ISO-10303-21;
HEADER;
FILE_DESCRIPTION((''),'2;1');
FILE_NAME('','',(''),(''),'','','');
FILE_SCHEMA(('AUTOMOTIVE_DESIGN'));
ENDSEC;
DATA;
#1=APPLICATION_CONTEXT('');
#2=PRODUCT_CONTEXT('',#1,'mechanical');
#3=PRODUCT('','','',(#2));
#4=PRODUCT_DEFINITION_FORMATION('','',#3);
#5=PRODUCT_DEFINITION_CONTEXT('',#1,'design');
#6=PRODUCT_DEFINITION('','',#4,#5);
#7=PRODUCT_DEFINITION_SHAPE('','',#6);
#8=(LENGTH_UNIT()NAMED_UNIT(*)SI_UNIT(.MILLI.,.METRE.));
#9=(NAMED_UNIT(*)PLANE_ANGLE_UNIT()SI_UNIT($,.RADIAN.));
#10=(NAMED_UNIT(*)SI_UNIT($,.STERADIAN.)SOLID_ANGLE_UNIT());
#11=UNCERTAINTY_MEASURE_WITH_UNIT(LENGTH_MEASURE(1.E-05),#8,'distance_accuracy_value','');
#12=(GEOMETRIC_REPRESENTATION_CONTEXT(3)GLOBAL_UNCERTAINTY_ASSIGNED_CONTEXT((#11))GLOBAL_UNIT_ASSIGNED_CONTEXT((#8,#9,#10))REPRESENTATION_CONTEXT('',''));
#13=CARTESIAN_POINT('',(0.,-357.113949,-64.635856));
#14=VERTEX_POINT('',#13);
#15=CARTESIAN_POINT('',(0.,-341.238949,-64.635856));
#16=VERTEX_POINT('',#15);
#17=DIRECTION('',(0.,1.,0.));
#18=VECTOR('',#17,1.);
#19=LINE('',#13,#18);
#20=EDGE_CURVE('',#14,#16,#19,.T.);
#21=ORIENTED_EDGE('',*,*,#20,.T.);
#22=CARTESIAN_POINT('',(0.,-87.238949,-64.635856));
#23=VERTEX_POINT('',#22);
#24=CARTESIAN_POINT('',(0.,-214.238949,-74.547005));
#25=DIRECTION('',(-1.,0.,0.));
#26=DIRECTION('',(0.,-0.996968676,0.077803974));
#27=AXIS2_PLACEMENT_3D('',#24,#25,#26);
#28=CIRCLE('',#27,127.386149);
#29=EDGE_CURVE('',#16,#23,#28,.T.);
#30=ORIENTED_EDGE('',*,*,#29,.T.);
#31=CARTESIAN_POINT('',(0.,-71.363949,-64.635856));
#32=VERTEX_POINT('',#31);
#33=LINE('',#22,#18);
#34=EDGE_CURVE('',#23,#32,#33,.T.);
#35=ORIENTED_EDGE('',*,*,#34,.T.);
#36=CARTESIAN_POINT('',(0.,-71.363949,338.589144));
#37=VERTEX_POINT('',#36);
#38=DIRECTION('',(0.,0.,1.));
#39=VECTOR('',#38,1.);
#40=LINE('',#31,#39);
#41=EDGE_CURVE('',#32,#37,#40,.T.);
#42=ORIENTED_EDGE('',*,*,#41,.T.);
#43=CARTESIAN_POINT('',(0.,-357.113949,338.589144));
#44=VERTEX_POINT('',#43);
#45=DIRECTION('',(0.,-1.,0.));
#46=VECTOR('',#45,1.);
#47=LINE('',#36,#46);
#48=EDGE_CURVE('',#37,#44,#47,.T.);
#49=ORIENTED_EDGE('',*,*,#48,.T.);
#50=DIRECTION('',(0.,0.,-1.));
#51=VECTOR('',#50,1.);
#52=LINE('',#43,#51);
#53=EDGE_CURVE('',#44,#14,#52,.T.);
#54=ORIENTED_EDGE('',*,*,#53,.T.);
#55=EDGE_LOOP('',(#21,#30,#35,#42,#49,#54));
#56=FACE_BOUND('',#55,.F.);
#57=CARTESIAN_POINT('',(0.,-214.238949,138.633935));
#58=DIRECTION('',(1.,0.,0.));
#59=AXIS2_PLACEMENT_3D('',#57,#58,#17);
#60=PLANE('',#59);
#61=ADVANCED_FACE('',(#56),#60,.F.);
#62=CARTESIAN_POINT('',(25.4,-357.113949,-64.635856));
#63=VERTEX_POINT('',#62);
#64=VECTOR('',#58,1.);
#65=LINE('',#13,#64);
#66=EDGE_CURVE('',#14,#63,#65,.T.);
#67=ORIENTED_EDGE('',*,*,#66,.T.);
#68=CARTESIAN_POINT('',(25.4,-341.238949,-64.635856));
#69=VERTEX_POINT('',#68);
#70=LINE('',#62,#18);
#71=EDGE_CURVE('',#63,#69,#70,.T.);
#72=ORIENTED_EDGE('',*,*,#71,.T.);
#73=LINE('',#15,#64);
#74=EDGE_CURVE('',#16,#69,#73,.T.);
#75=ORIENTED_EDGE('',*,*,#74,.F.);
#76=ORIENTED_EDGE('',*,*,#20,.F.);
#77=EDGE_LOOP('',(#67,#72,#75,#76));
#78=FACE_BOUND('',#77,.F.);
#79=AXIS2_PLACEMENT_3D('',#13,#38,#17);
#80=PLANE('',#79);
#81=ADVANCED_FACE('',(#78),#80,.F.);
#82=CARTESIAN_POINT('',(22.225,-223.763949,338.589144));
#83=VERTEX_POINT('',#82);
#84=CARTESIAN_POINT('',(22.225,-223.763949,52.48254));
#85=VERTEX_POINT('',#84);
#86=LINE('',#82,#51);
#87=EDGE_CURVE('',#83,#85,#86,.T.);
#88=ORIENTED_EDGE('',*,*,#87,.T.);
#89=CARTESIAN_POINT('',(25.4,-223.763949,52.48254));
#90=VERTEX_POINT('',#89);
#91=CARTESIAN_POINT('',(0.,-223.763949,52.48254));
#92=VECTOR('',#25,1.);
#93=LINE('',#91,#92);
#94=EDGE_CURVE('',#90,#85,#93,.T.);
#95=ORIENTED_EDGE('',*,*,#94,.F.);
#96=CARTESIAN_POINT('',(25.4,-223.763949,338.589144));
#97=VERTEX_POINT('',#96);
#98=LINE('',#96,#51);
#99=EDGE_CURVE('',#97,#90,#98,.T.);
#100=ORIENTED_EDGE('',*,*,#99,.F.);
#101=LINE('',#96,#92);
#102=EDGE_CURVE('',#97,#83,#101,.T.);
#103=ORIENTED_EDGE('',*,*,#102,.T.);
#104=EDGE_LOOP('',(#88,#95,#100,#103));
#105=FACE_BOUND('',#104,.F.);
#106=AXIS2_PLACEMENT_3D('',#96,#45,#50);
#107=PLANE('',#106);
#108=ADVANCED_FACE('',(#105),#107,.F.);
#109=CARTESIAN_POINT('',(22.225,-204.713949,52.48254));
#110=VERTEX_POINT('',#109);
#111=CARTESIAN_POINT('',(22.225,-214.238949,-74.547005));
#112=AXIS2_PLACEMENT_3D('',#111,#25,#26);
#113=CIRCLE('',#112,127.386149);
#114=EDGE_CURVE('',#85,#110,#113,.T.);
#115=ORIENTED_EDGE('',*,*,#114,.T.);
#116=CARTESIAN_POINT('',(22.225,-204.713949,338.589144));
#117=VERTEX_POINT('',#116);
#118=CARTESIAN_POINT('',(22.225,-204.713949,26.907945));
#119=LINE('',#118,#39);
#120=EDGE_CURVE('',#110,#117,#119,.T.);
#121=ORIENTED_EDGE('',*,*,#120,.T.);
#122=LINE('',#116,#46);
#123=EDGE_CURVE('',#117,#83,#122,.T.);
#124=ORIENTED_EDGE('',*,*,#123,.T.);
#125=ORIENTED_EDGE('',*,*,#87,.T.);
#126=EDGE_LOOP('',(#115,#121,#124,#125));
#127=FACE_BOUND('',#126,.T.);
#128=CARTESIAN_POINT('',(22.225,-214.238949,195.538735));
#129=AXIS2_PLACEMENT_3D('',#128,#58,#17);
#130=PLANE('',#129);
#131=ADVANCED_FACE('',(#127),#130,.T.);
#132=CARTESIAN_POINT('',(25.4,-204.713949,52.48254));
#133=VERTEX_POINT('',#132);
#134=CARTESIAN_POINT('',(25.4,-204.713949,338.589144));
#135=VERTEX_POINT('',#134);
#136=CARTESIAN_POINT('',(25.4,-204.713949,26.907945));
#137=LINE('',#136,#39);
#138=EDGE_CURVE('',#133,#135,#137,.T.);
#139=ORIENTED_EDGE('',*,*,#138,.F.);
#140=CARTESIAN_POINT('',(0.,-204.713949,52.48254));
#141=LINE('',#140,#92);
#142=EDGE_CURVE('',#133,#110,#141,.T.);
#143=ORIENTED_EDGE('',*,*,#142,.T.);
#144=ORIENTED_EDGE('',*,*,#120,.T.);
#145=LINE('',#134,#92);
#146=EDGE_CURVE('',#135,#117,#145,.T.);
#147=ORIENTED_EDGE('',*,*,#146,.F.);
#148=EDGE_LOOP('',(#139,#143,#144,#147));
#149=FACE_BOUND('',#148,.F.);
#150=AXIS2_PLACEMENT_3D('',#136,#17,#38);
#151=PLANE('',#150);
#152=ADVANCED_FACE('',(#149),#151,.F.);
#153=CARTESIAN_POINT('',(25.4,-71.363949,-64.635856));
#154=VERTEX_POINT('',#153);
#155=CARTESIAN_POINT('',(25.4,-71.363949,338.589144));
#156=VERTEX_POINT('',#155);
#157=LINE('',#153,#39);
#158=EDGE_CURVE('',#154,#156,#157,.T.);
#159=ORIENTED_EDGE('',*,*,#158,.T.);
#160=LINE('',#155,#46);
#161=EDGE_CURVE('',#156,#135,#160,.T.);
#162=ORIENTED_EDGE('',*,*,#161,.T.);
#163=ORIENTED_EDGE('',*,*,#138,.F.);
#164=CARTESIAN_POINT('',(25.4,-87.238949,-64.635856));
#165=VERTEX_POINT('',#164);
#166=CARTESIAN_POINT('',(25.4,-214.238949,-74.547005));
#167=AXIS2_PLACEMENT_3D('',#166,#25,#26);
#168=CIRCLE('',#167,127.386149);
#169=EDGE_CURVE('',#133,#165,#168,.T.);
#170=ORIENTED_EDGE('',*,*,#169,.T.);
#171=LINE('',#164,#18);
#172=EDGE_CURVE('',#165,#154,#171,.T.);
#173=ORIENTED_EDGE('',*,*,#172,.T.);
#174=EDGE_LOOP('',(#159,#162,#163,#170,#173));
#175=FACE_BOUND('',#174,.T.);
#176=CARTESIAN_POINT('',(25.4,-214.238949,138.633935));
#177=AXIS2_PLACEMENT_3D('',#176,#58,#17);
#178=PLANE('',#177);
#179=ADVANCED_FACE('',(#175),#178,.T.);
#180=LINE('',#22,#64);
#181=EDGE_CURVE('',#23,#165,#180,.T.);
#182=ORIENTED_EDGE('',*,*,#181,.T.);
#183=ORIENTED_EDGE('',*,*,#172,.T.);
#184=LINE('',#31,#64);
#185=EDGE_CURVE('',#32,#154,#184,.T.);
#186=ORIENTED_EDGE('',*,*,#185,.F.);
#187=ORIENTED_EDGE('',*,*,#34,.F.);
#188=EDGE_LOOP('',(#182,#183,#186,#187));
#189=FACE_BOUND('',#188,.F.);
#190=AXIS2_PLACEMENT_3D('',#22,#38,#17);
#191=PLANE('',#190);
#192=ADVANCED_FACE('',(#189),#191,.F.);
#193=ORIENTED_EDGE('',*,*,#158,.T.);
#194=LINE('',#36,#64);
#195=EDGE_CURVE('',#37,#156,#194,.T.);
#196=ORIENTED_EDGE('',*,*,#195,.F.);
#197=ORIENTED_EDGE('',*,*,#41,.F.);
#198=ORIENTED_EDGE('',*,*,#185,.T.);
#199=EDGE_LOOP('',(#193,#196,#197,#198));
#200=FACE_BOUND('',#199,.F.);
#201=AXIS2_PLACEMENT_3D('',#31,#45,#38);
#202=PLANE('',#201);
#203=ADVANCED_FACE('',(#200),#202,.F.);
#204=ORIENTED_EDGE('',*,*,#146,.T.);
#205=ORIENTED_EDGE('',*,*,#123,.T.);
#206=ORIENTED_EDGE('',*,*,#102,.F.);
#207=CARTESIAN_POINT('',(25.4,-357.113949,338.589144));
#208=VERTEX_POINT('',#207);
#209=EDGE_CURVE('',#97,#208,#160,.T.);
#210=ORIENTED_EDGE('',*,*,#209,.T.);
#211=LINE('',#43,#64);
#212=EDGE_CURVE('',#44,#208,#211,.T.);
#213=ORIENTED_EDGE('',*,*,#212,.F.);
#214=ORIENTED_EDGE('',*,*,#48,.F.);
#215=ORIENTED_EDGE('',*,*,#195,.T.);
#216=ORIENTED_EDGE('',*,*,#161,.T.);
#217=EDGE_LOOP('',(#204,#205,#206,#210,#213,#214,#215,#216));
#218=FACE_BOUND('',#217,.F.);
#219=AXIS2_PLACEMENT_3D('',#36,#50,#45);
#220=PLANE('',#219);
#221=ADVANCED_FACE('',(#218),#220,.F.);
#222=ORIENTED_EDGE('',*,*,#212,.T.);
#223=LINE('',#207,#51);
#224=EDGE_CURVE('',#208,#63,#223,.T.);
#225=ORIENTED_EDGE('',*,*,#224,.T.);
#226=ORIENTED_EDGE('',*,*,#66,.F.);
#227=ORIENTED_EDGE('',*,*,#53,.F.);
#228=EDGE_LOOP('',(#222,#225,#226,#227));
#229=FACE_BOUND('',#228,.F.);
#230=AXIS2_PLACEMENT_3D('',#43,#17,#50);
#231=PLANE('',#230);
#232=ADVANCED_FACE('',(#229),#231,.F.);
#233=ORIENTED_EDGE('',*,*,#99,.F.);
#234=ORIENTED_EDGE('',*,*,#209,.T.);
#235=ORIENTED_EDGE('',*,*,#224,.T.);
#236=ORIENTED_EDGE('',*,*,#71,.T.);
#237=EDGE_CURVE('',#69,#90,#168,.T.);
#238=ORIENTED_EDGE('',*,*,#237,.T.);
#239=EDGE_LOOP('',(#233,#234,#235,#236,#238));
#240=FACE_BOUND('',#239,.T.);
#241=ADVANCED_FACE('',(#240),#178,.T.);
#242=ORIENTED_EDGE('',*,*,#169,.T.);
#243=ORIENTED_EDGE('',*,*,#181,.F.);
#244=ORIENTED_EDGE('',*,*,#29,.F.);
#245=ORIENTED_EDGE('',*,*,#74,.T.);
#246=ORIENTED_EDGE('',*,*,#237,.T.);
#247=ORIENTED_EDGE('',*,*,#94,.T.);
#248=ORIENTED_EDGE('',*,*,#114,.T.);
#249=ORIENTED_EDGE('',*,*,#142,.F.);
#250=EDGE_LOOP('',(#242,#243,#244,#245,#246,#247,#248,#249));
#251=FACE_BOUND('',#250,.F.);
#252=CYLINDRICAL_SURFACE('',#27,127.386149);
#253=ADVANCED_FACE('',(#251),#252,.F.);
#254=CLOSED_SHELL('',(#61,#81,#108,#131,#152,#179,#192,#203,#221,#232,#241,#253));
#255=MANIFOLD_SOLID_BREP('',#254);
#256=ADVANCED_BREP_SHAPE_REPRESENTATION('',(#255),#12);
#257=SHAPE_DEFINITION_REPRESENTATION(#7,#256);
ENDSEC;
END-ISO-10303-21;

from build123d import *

# Parameters (mm, degrees)
F1_DEPTH = 25.4
F3_DEPTH = 3.175


with BuildPart() as f1:
    # F0 (on Right) → F1 (new body)
    with BuildSketch(Plane.YZ):
        with BuildLine():
            Line((-71.363949, 338.589144), (-357.113949, 338.589144))
            Line((-357.113949, 338.589144), (-357.113949, -64.635856))
            Line((-357.113949, -64.635856), (-341.238949, -64.635856))
            ThreePointArc((-341.238949, -64.635856), (-214.238949, 52.839144), (-87.238949, -64.635856))
            Line((-87.238949, -64.635856), (-71.363949, -64.635856))
            Line((-71.363949, -64.635856), (-71.363949, 338.589144))
        make_face()
    extrude(amount=F1_DEPTH)

    # F2 (on face) → F3 (cut)
    with BuildSketch(Plane.YZ.offset(25.4)):
        with BuildLine():
            Line((-204.713949, 338.589144), (-214.238949, 338.589144))
            Line((-214.238949, 338.589144), (-223.763949, 338.589144))
            Line((-223.763949, 338.589144), (-223.763949, 52.48254))
            ThreePointArc((-223.763949, 52.48254), (-214.238949, 52.839144), (-204.713949, 52.48254))
            Line((-204.713949, 52.48254), (-204.713949, 338.589144))
        make_face()
        with BuildLine():
            ThreePointArc((-204.713949, 52.48254), (-214.238949, 52.839144), (-223.763949, 52.48254))
            Line((-223.763949, 52.48254), (-223.763949, 26.907945))
            Line((-223.763949, 26.907945), (-204.713949, 26.907945))
            Line((-204.713949, 26.907945), (-204.713949, 52.48254))
        make_face()
    extrude(amount=-F3_DEPTH, mode=Mode.SUBTRACT)


solid = f1.part
